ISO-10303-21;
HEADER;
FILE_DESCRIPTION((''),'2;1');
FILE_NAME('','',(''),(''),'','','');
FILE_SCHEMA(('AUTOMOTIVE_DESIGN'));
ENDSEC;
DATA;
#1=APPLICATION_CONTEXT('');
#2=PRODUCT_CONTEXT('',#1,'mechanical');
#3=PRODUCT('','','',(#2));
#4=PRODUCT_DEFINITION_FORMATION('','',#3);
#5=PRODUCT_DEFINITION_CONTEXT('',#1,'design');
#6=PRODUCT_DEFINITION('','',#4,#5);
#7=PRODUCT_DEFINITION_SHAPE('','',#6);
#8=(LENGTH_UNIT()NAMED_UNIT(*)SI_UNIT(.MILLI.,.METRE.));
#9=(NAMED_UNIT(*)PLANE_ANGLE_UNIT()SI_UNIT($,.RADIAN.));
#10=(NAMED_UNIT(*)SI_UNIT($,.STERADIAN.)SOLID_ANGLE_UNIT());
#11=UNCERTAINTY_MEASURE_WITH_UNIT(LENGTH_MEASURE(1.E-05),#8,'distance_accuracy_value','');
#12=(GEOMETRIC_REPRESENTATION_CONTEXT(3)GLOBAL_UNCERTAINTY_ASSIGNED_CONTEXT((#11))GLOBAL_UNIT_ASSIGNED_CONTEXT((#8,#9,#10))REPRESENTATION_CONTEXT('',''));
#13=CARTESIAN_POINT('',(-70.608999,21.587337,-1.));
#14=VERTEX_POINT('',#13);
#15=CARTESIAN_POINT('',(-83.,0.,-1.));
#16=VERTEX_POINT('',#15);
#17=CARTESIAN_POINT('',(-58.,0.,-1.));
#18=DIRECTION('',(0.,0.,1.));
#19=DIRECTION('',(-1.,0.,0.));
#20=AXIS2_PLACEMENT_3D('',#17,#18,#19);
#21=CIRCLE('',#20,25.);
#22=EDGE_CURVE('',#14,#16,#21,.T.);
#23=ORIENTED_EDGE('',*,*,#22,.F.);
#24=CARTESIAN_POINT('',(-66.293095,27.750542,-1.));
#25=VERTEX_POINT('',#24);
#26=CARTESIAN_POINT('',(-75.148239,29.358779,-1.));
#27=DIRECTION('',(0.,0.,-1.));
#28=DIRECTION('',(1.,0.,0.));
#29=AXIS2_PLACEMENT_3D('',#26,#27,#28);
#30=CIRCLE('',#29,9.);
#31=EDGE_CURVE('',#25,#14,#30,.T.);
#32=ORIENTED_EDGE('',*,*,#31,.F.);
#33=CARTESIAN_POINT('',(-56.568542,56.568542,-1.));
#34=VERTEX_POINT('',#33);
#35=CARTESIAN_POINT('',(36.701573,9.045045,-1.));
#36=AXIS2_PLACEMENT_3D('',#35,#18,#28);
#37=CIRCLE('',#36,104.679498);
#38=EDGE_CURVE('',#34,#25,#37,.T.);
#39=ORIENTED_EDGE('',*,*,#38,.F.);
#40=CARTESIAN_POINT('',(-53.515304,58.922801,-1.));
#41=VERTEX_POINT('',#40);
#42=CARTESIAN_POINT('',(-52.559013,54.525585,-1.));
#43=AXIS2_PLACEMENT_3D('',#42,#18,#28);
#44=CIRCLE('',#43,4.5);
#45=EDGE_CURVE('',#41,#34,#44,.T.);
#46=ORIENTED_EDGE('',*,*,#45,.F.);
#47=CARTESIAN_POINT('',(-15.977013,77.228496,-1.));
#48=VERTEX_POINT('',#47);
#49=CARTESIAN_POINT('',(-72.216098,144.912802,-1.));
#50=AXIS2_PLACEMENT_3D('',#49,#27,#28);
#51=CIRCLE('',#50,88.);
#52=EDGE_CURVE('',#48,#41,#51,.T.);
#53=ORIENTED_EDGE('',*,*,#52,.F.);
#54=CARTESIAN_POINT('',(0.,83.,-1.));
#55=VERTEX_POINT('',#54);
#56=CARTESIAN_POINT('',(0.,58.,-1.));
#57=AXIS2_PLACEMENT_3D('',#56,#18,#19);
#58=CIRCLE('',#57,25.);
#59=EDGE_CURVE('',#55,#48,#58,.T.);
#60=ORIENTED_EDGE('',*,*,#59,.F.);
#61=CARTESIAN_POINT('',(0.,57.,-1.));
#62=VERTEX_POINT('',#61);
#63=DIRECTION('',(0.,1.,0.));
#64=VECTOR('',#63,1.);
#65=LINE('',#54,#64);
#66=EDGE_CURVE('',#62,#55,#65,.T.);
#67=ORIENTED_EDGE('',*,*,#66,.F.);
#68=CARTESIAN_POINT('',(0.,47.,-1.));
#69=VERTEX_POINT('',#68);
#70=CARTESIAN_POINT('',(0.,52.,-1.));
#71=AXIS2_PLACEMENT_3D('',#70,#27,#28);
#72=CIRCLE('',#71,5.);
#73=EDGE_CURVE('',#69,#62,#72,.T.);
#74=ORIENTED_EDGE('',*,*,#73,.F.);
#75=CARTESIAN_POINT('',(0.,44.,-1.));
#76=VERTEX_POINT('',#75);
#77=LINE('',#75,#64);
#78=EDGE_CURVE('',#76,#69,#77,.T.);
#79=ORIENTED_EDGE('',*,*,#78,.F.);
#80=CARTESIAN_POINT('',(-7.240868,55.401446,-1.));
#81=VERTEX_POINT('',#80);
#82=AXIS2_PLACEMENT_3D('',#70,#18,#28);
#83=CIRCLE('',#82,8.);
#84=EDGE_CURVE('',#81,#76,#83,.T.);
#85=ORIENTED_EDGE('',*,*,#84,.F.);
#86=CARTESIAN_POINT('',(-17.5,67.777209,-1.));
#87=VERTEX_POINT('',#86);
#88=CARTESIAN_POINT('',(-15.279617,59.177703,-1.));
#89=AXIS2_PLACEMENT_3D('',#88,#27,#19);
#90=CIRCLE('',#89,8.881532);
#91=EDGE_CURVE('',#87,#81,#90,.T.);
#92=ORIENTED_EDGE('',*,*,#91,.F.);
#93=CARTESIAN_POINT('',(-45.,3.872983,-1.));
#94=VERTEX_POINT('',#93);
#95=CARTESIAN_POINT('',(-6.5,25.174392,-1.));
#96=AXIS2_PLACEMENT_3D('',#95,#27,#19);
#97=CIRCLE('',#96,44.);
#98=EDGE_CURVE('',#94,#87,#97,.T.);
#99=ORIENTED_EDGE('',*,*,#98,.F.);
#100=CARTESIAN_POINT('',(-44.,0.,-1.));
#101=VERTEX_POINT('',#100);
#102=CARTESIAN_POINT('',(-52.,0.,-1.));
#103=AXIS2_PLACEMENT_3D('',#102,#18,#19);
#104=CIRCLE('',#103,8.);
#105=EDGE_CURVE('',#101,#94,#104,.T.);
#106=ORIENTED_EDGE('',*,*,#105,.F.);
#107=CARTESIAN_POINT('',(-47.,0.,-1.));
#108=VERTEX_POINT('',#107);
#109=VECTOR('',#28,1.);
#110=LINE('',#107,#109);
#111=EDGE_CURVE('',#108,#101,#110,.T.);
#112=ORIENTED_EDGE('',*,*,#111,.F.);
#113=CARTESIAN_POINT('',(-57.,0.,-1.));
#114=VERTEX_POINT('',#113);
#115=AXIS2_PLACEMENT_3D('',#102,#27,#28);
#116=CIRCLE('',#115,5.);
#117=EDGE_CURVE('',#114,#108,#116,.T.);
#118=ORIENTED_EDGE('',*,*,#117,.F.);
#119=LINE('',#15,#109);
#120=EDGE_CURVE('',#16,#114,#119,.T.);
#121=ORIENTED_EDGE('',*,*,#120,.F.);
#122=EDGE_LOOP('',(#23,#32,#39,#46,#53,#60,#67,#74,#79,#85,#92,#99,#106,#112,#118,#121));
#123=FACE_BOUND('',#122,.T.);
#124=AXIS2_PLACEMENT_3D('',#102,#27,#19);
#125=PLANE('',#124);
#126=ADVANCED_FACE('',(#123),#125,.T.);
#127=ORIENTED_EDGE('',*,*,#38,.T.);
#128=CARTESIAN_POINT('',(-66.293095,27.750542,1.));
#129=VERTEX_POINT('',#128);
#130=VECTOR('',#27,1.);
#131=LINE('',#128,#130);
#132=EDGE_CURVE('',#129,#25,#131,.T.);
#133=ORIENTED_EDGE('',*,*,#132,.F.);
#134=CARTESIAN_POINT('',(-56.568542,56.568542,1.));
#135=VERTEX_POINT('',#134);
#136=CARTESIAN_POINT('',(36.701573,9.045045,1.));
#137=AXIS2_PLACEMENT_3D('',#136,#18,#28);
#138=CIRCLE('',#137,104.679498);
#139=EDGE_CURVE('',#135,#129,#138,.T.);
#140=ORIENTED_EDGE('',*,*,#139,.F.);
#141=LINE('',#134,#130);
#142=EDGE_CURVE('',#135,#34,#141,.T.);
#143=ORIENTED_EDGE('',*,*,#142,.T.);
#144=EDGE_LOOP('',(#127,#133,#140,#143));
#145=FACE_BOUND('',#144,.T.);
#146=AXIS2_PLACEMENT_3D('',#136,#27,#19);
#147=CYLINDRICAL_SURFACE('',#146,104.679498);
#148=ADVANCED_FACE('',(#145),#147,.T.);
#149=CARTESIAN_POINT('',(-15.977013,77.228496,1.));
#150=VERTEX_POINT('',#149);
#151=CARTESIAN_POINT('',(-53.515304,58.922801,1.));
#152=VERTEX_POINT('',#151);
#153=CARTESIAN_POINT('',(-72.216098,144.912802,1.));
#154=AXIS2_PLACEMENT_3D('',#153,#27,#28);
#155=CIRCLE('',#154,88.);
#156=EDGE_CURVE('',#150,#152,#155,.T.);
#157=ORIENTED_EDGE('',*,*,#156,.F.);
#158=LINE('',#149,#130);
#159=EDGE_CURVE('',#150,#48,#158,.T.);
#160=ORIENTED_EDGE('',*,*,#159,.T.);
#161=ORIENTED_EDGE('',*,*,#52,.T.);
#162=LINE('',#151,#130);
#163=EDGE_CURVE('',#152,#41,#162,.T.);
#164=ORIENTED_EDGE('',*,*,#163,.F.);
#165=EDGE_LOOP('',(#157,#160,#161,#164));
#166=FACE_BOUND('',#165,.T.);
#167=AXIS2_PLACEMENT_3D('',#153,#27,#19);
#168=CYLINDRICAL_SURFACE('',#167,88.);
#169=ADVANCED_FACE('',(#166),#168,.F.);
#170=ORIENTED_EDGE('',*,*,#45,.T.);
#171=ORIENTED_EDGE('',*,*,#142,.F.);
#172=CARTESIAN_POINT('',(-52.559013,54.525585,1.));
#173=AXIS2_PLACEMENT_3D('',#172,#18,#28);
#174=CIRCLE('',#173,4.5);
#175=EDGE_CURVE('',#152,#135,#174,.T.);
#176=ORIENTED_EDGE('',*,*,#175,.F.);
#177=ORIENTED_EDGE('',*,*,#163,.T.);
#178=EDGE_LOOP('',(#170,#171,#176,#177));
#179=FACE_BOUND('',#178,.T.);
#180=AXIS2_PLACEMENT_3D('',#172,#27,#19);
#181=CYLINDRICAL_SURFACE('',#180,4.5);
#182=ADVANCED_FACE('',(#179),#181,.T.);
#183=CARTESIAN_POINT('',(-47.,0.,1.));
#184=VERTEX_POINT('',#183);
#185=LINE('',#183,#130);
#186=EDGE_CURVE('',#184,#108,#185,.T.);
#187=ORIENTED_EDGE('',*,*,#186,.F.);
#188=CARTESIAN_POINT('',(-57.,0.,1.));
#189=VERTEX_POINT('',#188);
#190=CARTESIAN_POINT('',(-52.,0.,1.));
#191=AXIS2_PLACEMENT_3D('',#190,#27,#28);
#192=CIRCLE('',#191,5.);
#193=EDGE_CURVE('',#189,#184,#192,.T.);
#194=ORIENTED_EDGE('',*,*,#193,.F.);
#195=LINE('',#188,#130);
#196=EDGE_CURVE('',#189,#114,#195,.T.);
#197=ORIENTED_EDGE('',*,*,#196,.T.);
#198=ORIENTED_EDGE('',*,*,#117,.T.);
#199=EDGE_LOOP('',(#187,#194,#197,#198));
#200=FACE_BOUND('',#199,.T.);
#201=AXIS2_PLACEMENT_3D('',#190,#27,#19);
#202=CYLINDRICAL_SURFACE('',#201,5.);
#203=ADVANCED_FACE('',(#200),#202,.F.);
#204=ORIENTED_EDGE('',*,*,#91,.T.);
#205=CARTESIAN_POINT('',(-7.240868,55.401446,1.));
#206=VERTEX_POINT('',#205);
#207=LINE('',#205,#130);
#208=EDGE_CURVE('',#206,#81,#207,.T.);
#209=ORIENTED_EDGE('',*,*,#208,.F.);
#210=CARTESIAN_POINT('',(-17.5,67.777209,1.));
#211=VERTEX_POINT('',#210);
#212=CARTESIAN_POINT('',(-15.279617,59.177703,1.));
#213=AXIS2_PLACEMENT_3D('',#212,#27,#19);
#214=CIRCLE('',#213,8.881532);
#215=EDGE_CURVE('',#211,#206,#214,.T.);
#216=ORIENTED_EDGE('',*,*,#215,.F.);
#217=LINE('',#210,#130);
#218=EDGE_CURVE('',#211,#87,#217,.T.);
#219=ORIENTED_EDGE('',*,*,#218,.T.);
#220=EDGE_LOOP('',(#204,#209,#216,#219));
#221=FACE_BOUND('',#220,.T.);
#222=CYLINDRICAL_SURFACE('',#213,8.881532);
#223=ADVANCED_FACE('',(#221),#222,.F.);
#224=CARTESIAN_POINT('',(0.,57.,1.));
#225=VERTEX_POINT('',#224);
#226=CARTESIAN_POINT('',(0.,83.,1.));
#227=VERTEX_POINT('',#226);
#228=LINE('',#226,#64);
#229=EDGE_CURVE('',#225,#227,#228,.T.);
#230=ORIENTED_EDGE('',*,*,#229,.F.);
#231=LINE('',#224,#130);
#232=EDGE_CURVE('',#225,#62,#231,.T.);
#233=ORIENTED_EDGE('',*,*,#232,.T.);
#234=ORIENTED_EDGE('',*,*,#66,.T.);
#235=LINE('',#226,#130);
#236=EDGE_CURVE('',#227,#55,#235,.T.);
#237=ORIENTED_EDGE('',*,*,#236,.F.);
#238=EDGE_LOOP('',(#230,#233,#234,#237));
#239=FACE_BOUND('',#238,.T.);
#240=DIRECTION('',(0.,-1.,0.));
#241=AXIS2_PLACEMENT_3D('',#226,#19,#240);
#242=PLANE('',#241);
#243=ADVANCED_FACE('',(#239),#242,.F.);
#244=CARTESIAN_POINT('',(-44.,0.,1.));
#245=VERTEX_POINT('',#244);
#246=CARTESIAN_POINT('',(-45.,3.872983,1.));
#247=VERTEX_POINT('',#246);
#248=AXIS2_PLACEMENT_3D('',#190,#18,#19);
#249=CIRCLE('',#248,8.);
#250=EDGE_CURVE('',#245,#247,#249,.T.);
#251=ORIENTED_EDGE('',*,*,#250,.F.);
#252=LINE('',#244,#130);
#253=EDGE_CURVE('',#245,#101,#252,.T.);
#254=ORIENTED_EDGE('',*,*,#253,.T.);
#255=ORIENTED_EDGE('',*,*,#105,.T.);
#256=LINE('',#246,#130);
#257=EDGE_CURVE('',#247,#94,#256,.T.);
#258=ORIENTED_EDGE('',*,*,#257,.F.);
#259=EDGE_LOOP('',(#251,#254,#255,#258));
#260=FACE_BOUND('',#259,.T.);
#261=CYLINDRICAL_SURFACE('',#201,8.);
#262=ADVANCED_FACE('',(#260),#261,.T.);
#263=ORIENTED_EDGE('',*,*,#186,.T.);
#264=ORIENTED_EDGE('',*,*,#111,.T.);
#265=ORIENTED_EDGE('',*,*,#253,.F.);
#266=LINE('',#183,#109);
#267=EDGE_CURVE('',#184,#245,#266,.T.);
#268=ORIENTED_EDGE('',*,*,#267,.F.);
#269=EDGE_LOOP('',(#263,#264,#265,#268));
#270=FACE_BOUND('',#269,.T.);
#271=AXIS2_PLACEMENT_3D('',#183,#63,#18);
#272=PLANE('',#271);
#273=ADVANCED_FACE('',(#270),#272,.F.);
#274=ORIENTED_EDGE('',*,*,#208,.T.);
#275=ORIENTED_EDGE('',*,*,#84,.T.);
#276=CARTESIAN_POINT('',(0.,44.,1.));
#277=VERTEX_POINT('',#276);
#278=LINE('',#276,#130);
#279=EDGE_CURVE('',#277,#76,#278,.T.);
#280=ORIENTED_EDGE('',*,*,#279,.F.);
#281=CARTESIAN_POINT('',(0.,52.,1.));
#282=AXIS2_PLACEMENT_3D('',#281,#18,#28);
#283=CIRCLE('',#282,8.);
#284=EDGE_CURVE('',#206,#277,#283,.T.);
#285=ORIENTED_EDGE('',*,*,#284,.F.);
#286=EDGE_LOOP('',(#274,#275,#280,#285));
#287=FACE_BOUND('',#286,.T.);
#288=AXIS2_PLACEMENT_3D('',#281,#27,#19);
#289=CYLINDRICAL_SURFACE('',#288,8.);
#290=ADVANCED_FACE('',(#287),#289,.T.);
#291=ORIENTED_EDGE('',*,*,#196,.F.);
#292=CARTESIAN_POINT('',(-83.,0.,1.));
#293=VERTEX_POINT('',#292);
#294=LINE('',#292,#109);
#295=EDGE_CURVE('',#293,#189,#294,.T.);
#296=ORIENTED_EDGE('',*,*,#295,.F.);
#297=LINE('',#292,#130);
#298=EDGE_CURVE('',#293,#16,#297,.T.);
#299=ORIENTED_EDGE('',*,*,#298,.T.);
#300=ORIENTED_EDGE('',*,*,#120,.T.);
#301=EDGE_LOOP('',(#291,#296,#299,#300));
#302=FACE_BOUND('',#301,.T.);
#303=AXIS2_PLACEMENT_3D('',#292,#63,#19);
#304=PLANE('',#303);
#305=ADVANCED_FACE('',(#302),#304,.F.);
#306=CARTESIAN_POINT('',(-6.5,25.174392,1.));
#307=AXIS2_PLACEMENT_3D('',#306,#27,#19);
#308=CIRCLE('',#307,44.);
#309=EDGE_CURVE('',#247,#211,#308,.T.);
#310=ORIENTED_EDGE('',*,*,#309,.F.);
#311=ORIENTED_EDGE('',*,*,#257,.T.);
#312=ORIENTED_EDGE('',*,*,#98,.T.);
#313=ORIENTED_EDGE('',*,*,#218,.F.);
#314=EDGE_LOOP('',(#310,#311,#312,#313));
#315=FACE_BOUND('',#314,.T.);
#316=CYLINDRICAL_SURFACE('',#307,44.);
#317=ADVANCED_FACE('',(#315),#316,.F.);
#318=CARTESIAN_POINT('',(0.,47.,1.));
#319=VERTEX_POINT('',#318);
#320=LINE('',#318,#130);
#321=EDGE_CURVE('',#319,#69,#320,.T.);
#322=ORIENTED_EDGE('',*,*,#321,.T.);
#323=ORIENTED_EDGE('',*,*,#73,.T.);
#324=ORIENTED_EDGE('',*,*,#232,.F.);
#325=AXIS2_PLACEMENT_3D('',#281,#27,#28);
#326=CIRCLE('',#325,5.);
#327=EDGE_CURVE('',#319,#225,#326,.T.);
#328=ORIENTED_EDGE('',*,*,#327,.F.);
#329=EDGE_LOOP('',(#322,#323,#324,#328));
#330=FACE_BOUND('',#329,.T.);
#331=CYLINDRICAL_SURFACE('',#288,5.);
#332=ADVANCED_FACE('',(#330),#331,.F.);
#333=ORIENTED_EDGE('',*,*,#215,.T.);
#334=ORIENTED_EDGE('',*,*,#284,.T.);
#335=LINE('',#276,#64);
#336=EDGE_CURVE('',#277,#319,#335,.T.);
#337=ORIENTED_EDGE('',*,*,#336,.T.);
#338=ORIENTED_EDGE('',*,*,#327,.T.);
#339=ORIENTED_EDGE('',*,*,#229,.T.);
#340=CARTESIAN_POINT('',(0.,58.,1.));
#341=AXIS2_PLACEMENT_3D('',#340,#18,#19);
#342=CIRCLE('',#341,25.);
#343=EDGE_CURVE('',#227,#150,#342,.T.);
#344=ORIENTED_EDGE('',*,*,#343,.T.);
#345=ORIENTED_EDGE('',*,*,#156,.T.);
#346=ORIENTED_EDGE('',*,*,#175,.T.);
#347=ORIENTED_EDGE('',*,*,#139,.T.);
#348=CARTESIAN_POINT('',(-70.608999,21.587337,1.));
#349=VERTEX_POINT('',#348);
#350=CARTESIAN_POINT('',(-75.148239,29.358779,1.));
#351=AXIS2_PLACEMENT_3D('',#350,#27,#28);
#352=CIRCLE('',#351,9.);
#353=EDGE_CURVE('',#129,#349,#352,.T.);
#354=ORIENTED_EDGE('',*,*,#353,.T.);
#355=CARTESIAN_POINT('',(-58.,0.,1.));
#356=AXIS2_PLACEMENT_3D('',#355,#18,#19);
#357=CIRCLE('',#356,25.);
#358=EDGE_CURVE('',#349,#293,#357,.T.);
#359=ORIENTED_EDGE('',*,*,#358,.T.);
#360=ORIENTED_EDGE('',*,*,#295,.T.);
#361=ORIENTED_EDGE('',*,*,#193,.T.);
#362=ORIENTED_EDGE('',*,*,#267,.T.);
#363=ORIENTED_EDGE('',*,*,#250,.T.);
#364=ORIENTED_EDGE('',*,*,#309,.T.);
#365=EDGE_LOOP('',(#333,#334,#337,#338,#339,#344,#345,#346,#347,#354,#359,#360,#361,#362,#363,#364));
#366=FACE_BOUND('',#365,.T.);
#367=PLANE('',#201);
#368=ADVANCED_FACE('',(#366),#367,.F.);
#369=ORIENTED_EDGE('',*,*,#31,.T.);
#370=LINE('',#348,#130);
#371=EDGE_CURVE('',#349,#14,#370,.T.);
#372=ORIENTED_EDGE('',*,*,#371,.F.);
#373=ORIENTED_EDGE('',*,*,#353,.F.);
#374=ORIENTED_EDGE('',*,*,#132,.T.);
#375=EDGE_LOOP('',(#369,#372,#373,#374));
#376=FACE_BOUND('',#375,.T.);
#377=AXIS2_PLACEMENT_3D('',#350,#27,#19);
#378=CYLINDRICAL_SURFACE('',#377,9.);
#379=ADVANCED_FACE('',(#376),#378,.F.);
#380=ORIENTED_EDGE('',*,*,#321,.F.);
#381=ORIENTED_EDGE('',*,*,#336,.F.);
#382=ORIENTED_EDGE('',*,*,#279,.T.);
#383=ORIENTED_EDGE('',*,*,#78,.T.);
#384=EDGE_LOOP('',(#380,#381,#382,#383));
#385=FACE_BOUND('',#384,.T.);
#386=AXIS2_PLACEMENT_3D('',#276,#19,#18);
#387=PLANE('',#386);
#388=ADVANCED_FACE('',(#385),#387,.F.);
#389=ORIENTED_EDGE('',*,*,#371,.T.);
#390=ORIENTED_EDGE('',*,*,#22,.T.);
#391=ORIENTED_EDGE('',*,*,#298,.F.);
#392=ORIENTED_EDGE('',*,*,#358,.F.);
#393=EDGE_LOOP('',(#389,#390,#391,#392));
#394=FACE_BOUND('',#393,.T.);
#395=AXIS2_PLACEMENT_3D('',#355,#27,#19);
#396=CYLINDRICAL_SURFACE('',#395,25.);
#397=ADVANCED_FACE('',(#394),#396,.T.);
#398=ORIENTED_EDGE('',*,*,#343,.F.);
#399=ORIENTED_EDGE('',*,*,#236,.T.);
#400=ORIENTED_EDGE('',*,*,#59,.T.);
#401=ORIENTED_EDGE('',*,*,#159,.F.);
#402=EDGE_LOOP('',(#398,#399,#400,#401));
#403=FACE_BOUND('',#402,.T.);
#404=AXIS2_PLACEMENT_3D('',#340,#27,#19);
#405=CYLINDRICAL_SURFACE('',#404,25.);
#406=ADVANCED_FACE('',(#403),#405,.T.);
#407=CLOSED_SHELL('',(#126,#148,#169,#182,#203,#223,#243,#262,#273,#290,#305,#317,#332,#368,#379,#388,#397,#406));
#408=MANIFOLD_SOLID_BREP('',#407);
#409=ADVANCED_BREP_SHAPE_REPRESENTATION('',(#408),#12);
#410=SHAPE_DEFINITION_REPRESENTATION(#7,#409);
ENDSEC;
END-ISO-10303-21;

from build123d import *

# Parameters (mm, degrees)
LINEAR_AUSTRAGEN1_DEPTH = 1


with BuildPart() as part:
    # Außenkontur → Linear austragen1 (new body, symmetric)
    with BuildSketch(Plane.XY):
        with BuildLine():
            Line((-83, 0), (-57, 0))
            ThreePointArc((-57, 0), (-52, 5), (-47, 0))
            Line((-47, 0), (-44, 0))
            ThreePointArc((-44, 0), (-44.254033308, 2), (-45, 3.872983346))
            ThreePointArc((-45, 3.872983346), (-46.916580756, 42.566918881), (-17.5, 67.777208559))
            ThreePointArc((-17.5, 67.777208559), (-8.441984355, 64.845892989), (-7.240867658, 55.401446097))
            ThreePointArc((-7.240867658, 55.401446097), (-6.75320549, 47.711152181), (0, 44))
            Line((0, 44), (0, 47))
            ThreePointArc((0, 47), (-5, 52), (0, 57))
            Line((0, 57), (0, 83))
            ThreePointArc((0, 83), (-8.493750568, 81.512894362), (-15.977012787, 77.228496103))
            ThreePointArc((-15.977012787, 77.228496103), (-33.644463337, 65.816474944), (-53.515303741, 58.922801215))
            ThreePointArc((-53.515303741, 58.922801215), (-55.306825995, 58.089224466), (-56.568542495, 56.568542495))
            ThreePointArc((-56.568542495, 56.568542495), (-62.483030705, 42.514608), (-66.293095094, 27.75054166))
            ThreePointArc((-66.293095094, 27.75054166), (-67.776085308, 24.196284331), (-70.608999234, 21.587337453))
            ThreePointArc((-70.608999234, 21.587337453), (-79.682077632, 12.445381054), (-83, 0))
        make_face()
    extrude(amount=LINEAR_AUSTRAGEN1_DEPTH, both=True)


solid = part.part
